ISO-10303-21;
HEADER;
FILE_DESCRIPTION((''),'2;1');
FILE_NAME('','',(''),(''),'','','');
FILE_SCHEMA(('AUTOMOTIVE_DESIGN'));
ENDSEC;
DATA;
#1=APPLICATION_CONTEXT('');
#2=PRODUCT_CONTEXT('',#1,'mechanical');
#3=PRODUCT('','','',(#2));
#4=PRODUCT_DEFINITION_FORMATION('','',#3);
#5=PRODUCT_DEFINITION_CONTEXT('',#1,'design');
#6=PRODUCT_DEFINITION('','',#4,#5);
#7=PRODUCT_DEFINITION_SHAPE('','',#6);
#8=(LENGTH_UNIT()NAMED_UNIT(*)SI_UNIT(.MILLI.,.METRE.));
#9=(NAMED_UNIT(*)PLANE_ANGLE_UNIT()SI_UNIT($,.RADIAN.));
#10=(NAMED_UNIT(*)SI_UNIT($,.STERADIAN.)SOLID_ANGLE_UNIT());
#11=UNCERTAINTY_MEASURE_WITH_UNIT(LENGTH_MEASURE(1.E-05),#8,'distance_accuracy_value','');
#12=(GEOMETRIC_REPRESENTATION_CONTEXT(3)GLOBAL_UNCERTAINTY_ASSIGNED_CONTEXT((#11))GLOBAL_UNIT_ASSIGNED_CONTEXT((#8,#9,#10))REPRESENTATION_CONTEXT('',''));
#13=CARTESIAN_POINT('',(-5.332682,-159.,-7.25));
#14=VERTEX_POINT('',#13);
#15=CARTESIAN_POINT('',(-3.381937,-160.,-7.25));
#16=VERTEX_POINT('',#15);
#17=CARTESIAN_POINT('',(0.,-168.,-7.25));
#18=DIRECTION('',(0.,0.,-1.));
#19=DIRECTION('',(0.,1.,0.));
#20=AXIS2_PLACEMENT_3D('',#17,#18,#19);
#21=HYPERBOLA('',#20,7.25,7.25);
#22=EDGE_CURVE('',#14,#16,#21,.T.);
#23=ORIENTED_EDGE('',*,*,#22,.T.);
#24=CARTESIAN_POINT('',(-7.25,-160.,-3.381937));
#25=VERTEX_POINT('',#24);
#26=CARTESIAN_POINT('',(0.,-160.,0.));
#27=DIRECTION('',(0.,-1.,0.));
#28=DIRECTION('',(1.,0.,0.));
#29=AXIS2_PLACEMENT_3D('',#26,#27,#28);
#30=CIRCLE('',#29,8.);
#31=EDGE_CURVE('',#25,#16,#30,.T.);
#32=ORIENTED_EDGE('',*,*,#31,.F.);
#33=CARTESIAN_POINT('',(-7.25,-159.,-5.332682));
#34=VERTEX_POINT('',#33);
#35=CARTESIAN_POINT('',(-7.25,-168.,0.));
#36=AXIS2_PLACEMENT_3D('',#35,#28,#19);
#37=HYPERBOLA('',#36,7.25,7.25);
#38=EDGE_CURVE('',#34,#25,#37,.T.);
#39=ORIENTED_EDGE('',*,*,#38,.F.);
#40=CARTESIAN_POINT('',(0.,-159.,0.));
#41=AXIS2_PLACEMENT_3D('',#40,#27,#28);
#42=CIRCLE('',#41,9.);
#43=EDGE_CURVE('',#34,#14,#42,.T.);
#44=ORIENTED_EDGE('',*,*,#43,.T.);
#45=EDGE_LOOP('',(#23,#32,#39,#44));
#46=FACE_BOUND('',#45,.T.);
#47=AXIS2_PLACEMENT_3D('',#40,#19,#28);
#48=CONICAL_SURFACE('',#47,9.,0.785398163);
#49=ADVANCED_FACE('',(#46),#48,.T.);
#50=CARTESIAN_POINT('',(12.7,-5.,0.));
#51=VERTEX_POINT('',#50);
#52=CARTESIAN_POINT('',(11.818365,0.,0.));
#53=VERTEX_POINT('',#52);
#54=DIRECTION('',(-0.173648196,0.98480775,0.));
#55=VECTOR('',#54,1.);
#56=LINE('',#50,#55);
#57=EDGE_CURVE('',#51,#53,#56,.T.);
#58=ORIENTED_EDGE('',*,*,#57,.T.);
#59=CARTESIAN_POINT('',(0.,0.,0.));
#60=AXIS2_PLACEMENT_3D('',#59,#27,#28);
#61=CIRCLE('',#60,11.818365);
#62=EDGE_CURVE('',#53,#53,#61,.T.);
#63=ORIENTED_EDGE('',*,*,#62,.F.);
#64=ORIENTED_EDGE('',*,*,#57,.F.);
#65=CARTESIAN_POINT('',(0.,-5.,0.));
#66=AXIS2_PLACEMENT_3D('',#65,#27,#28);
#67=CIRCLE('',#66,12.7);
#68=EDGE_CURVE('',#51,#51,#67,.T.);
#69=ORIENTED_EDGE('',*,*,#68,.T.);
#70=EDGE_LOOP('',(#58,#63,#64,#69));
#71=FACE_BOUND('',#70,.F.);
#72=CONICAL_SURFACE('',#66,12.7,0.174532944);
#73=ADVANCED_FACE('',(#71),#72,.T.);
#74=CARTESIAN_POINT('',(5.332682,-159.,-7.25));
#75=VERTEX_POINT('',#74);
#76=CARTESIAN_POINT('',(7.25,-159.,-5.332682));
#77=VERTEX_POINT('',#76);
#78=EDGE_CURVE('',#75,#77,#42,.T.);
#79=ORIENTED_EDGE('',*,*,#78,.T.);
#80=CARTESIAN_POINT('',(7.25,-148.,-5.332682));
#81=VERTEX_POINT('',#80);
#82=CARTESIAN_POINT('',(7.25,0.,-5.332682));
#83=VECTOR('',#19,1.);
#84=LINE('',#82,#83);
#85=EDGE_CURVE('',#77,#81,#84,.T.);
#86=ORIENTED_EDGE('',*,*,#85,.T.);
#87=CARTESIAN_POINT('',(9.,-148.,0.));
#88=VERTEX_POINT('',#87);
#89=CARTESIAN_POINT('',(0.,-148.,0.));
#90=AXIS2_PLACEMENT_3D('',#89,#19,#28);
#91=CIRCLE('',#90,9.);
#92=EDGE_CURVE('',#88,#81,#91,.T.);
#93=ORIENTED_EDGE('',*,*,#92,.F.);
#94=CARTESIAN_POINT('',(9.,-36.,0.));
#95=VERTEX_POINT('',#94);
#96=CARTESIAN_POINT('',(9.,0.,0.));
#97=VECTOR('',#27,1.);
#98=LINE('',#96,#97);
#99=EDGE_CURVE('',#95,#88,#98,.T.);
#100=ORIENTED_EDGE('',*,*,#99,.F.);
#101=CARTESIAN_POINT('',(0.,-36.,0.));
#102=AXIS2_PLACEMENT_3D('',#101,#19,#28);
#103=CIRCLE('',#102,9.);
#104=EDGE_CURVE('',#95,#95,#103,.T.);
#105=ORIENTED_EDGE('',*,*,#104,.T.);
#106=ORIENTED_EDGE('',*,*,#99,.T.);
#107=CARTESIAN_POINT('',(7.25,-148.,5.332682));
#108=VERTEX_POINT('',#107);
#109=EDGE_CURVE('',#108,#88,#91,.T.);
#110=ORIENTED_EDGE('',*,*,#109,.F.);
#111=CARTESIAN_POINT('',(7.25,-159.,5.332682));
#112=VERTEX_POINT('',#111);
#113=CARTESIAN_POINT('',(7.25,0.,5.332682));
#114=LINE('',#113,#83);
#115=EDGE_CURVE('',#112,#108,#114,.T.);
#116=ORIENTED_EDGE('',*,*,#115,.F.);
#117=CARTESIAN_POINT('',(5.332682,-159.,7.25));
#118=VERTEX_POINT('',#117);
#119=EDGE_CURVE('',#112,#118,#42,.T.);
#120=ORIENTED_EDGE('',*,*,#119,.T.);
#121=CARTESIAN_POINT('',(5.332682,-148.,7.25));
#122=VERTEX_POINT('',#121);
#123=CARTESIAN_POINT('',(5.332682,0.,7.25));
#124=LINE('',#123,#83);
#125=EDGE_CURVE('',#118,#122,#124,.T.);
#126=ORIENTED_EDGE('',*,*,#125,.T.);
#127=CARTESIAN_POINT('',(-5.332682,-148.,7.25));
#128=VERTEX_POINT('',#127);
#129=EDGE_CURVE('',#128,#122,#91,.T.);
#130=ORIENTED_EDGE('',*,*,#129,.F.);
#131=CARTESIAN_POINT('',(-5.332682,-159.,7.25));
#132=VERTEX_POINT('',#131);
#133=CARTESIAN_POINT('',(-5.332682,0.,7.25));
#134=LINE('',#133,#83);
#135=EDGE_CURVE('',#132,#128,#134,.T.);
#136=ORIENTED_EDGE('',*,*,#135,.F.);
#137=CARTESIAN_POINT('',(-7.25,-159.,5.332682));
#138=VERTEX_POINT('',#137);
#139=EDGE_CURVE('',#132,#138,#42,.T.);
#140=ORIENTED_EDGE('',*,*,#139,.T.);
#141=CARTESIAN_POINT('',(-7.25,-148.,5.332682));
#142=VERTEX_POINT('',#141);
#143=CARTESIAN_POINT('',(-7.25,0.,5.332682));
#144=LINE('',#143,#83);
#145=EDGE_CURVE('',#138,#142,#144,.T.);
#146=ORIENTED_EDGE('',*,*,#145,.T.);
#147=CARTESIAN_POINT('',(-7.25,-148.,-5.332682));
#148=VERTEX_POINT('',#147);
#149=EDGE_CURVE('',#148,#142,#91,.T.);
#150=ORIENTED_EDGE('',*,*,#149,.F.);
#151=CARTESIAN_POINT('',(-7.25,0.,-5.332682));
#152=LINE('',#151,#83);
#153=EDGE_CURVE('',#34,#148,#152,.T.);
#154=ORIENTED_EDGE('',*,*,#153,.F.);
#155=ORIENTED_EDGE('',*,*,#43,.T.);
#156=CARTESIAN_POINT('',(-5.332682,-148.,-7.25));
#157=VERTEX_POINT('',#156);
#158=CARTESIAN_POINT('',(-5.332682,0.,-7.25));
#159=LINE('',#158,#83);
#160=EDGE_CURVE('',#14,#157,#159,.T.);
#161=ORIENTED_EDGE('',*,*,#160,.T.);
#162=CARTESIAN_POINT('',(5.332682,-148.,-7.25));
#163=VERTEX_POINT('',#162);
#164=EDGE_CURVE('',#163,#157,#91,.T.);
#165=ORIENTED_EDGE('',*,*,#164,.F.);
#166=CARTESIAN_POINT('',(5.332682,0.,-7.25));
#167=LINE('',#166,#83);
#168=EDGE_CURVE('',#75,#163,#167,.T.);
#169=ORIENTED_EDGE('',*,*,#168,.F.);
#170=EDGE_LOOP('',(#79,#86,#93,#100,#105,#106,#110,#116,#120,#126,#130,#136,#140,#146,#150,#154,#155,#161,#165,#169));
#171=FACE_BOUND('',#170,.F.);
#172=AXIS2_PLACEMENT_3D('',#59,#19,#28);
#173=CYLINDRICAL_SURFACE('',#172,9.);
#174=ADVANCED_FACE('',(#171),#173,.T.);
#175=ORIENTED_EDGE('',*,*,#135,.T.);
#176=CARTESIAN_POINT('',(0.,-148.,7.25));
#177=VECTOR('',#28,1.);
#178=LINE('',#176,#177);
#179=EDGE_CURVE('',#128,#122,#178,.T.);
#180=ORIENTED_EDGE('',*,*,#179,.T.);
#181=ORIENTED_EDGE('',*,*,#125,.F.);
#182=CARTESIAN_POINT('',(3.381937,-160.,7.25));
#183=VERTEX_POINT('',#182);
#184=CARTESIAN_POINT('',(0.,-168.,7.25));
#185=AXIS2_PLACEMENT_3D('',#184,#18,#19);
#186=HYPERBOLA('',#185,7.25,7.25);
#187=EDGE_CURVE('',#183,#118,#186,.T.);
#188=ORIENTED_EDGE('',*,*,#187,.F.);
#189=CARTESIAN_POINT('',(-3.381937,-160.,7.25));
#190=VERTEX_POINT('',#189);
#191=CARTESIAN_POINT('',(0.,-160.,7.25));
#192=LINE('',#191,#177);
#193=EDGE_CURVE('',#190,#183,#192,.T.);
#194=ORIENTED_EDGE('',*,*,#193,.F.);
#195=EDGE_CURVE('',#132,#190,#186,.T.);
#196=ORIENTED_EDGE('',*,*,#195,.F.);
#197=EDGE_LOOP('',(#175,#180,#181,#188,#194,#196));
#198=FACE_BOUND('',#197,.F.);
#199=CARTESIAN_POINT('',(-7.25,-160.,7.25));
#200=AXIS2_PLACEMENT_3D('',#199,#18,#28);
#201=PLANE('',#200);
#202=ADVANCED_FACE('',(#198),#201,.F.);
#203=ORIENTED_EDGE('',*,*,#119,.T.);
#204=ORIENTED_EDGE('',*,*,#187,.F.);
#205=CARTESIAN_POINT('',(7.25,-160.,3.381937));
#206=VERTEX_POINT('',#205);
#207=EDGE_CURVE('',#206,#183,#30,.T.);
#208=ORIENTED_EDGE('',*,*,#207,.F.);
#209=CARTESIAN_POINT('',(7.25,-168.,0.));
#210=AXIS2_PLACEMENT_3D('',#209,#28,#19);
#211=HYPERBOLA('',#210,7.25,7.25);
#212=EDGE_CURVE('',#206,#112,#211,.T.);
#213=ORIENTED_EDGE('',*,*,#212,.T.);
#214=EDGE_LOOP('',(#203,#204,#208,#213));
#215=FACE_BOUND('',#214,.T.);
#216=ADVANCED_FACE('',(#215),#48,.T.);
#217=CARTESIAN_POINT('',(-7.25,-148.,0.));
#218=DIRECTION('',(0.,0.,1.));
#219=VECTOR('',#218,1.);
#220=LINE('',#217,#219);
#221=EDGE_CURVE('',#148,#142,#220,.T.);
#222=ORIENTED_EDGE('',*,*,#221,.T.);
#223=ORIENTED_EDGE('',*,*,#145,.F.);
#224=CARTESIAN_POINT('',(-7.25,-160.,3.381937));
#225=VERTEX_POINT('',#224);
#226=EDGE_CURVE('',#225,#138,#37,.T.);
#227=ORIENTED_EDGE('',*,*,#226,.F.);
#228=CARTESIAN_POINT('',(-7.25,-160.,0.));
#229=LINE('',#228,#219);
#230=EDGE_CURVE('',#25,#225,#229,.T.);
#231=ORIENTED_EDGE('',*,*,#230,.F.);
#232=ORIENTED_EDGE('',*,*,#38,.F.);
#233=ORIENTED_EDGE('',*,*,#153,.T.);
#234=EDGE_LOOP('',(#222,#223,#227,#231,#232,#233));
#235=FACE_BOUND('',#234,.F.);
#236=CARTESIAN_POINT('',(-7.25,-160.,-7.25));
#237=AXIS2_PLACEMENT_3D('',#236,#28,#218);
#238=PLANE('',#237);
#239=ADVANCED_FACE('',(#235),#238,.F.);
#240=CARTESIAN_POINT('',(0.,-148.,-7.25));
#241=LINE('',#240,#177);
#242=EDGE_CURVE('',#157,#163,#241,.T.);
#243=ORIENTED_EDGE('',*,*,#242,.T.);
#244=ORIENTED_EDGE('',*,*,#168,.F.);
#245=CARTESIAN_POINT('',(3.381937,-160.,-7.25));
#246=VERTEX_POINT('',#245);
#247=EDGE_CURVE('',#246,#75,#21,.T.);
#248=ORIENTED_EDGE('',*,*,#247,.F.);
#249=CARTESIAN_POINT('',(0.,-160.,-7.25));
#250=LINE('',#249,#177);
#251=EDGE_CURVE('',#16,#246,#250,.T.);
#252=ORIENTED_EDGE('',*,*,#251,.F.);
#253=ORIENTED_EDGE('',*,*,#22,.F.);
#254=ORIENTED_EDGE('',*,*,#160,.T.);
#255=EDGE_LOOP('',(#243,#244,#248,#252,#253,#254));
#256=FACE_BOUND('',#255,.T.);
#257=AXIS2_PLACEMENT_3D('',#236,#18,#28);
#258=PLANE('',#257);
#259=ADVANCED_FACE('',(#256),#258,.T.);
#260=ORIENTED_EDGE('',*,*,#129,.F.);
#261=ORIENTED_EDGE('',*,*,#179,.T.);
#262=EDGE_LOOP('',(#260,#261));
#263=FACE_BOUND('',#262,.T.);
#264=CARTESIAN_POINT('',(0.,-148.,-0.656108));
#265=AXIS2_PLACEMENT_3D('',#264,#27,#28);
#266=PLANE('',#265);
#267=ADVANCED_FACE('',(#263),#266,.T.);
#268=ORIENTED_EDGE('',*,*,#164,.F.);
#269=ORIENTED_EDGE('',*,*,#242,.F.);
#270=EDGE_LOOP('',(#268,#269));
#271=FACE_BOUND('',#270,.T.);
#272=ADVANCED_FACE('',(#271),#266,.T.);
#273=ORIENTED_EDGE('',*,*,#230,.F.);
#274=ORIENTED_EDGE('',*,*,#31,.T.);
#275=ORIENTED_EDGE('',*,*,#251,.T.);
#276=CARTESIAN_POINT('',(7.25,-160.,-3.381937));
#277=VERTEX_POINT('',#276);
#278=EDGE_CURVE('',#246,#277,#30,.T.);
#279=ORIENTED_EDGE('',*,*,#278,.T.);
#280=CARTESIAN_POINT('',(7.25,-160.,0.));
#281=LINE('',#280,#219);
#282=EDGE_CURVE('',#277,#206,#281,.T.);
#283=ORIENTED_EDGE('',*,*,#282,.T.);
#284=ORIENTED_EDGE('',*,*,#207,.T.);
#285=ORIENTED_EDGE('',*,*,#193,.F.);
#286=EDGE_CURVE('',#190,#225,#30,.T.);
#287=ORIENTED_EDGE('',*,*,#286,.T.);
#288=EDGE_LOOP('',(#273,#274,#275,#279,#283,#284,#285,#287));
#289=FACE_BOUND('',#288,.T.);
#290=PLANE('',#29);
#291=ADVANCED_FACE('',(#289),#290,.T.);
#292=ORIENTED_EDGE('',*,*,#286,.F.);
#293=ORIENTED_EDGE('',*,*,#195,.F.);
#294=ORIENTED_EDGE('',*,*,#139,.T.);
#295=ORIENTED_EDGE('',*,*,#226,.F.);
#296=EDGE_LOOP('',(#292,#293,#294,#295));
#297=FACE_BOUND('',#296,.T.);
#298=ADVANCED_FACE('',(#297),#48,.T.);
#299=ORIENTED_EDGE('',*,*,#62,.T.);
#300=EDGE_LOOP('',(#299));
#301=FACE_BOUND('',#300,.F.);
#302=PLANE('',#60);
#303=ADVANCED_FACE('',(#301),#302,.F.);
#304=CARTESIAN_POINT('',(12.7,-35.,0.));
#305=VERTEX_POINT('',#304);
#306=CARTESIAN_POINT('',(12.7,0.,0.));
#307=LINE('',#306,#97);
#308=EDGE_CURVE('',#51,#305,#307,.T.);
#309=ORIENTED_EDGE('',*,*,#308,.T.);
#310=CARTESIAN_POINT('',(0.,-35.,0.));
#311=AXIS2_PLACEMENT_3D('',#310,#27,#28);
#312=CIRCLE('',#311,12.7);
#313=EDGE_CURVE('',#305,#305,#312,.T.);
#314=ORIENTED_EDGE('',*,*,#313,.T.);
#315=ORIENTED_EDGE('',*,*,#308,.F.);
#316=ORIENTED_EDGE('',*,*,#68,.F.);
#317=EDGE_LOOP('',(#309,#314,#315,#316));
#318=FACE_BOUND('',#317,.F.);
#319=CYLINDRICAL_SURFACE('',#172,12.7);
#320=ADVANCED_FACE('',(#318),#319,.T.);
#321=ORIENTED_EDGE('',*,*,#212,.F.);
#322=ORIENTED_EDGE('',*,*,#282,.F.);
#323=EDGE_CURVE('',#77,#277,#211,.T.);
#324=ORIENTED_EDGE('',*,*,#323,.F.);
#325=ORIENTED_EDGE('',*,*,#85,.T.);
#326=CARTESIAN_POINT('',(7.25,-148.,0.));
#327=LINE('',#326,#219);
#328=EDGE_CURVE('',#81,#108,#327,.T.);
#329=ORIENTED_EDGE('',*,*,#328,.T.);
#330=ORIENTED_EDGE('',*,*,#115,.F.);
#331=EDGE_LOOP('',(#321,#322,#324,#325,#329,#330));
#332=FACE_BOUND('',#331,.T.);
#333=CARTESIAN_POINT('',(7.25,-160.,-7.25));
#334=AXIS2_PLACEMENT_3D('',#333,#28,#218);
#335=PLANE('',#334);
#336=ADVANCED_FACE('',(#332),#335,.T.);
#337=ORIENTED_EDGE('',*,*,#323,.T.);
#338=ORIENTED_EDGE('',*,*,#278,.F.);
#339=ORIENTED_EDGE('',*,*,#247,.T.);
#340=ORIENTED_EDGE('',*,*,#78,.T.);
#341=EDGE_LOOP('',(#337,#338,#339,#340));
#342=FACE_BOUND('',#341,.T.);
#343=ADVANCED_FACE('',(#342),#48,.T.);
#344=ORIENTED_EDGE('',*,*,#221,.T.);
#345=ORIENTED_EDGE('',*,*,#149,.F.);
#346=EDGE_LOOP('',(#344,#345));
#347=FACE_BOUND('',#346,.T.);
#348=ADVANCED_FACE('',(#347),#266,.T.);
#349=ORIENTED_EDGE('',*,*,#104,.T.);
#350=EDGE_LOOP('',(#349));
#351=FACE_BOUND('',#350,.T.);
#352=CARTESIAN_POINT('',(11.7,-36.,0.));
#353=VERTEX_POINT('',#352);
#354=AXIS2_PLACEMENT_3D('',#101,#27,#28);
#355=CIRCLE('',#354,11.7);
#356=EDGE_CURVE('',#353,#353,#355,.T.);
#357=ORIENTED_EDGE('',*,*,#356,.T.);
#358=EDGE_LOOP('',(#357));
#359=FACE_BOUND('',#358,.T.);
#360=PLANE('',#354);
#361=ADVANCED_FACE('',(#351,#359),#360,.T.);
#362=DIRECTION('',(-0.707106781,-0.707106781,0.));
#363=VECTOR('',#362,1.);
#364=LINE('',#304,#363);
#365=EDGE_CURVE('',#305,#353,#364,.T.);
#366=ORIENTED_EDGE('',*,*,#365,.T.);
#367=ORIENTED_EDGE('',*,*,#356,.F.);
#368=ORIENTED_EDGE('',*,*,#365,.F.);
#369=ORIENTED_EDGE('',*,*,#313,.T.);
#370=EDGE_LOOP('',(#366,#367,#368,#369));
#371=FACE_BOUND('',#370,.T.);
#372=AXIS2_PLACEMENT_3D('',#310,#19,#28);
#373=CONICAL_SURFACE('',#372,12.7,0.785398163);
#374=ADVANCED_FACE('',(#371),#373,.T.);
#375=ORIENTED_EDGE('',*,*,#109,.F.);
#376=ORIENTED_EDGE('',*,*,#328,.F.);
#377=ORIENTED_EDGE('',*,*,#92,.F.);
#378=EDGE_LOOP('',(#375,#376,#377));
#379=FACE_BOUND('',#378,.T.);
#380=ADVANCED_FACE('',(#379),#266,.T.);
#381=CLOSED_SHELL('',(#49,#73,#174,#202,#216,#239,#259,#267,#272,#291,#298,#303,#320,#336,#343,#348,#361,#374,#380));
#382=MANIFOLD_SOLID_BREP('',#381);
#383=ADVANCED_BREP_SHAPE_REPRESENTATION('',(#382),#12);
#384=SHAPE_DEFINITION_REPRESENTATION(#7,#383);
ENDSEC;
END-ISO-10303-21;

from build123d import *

# Parameters (mm, degrees)
F0_R     = 9
F1_DEPTH = 160
F2_R     = 12.7
F3_DEPTH = 36
F4_SIZE2 = 0.881635
F4_SIZE  = 5
F5_SIZE  = 1
F6_W     = 18.961538
F6_H     = 20.995473
F6_W_2   = 14.5
F6_H_2   = 14.5
F7_DEPTH = 12


with BuildPart() as f1:
    # F0 (on Front) → F1 (new body)
    with BuildSketch(Plane.XZ):
        Circle(F0_R)
    extrude(amount=F1_DEPTH)

    # F2 (on Front) → F3 (join)
    with BuildSketch(Plane.XZ):
        Circle(F2_R)
    extrude(amount=F3_DEPTH)

    # F4
    f4_edges = [f1.edges().sort_by_distance(p)[0] for p in [
        (-12.7, 0, 0),
    ]]
    chamfer(f4_edges, length=F4_SIZE, length2=F4_SIZE2)

    # F5
    f5_edges = [f1.edges().sort_by_distance(p)[0] for p in [
        (-12.7, -36, 0),
        (-9, -160, 0),
    ]]
    chamfer(f5_edges, length=F5_SIZE)

    # F6 (on face) → F7 (cut)
    with BuildSketch(Plane.XZ.offset(160)):
        with Locations((0, -0.656108)):
            Rectangle(F6_W, F6_H)
        Rectangle(F6_W_2, F6_H_2, mode=Mode.SUBTRACT)
    extrude(amount=-F7_DEPTH, mode=Mode.SUBTRACT)


solid = f1.part
